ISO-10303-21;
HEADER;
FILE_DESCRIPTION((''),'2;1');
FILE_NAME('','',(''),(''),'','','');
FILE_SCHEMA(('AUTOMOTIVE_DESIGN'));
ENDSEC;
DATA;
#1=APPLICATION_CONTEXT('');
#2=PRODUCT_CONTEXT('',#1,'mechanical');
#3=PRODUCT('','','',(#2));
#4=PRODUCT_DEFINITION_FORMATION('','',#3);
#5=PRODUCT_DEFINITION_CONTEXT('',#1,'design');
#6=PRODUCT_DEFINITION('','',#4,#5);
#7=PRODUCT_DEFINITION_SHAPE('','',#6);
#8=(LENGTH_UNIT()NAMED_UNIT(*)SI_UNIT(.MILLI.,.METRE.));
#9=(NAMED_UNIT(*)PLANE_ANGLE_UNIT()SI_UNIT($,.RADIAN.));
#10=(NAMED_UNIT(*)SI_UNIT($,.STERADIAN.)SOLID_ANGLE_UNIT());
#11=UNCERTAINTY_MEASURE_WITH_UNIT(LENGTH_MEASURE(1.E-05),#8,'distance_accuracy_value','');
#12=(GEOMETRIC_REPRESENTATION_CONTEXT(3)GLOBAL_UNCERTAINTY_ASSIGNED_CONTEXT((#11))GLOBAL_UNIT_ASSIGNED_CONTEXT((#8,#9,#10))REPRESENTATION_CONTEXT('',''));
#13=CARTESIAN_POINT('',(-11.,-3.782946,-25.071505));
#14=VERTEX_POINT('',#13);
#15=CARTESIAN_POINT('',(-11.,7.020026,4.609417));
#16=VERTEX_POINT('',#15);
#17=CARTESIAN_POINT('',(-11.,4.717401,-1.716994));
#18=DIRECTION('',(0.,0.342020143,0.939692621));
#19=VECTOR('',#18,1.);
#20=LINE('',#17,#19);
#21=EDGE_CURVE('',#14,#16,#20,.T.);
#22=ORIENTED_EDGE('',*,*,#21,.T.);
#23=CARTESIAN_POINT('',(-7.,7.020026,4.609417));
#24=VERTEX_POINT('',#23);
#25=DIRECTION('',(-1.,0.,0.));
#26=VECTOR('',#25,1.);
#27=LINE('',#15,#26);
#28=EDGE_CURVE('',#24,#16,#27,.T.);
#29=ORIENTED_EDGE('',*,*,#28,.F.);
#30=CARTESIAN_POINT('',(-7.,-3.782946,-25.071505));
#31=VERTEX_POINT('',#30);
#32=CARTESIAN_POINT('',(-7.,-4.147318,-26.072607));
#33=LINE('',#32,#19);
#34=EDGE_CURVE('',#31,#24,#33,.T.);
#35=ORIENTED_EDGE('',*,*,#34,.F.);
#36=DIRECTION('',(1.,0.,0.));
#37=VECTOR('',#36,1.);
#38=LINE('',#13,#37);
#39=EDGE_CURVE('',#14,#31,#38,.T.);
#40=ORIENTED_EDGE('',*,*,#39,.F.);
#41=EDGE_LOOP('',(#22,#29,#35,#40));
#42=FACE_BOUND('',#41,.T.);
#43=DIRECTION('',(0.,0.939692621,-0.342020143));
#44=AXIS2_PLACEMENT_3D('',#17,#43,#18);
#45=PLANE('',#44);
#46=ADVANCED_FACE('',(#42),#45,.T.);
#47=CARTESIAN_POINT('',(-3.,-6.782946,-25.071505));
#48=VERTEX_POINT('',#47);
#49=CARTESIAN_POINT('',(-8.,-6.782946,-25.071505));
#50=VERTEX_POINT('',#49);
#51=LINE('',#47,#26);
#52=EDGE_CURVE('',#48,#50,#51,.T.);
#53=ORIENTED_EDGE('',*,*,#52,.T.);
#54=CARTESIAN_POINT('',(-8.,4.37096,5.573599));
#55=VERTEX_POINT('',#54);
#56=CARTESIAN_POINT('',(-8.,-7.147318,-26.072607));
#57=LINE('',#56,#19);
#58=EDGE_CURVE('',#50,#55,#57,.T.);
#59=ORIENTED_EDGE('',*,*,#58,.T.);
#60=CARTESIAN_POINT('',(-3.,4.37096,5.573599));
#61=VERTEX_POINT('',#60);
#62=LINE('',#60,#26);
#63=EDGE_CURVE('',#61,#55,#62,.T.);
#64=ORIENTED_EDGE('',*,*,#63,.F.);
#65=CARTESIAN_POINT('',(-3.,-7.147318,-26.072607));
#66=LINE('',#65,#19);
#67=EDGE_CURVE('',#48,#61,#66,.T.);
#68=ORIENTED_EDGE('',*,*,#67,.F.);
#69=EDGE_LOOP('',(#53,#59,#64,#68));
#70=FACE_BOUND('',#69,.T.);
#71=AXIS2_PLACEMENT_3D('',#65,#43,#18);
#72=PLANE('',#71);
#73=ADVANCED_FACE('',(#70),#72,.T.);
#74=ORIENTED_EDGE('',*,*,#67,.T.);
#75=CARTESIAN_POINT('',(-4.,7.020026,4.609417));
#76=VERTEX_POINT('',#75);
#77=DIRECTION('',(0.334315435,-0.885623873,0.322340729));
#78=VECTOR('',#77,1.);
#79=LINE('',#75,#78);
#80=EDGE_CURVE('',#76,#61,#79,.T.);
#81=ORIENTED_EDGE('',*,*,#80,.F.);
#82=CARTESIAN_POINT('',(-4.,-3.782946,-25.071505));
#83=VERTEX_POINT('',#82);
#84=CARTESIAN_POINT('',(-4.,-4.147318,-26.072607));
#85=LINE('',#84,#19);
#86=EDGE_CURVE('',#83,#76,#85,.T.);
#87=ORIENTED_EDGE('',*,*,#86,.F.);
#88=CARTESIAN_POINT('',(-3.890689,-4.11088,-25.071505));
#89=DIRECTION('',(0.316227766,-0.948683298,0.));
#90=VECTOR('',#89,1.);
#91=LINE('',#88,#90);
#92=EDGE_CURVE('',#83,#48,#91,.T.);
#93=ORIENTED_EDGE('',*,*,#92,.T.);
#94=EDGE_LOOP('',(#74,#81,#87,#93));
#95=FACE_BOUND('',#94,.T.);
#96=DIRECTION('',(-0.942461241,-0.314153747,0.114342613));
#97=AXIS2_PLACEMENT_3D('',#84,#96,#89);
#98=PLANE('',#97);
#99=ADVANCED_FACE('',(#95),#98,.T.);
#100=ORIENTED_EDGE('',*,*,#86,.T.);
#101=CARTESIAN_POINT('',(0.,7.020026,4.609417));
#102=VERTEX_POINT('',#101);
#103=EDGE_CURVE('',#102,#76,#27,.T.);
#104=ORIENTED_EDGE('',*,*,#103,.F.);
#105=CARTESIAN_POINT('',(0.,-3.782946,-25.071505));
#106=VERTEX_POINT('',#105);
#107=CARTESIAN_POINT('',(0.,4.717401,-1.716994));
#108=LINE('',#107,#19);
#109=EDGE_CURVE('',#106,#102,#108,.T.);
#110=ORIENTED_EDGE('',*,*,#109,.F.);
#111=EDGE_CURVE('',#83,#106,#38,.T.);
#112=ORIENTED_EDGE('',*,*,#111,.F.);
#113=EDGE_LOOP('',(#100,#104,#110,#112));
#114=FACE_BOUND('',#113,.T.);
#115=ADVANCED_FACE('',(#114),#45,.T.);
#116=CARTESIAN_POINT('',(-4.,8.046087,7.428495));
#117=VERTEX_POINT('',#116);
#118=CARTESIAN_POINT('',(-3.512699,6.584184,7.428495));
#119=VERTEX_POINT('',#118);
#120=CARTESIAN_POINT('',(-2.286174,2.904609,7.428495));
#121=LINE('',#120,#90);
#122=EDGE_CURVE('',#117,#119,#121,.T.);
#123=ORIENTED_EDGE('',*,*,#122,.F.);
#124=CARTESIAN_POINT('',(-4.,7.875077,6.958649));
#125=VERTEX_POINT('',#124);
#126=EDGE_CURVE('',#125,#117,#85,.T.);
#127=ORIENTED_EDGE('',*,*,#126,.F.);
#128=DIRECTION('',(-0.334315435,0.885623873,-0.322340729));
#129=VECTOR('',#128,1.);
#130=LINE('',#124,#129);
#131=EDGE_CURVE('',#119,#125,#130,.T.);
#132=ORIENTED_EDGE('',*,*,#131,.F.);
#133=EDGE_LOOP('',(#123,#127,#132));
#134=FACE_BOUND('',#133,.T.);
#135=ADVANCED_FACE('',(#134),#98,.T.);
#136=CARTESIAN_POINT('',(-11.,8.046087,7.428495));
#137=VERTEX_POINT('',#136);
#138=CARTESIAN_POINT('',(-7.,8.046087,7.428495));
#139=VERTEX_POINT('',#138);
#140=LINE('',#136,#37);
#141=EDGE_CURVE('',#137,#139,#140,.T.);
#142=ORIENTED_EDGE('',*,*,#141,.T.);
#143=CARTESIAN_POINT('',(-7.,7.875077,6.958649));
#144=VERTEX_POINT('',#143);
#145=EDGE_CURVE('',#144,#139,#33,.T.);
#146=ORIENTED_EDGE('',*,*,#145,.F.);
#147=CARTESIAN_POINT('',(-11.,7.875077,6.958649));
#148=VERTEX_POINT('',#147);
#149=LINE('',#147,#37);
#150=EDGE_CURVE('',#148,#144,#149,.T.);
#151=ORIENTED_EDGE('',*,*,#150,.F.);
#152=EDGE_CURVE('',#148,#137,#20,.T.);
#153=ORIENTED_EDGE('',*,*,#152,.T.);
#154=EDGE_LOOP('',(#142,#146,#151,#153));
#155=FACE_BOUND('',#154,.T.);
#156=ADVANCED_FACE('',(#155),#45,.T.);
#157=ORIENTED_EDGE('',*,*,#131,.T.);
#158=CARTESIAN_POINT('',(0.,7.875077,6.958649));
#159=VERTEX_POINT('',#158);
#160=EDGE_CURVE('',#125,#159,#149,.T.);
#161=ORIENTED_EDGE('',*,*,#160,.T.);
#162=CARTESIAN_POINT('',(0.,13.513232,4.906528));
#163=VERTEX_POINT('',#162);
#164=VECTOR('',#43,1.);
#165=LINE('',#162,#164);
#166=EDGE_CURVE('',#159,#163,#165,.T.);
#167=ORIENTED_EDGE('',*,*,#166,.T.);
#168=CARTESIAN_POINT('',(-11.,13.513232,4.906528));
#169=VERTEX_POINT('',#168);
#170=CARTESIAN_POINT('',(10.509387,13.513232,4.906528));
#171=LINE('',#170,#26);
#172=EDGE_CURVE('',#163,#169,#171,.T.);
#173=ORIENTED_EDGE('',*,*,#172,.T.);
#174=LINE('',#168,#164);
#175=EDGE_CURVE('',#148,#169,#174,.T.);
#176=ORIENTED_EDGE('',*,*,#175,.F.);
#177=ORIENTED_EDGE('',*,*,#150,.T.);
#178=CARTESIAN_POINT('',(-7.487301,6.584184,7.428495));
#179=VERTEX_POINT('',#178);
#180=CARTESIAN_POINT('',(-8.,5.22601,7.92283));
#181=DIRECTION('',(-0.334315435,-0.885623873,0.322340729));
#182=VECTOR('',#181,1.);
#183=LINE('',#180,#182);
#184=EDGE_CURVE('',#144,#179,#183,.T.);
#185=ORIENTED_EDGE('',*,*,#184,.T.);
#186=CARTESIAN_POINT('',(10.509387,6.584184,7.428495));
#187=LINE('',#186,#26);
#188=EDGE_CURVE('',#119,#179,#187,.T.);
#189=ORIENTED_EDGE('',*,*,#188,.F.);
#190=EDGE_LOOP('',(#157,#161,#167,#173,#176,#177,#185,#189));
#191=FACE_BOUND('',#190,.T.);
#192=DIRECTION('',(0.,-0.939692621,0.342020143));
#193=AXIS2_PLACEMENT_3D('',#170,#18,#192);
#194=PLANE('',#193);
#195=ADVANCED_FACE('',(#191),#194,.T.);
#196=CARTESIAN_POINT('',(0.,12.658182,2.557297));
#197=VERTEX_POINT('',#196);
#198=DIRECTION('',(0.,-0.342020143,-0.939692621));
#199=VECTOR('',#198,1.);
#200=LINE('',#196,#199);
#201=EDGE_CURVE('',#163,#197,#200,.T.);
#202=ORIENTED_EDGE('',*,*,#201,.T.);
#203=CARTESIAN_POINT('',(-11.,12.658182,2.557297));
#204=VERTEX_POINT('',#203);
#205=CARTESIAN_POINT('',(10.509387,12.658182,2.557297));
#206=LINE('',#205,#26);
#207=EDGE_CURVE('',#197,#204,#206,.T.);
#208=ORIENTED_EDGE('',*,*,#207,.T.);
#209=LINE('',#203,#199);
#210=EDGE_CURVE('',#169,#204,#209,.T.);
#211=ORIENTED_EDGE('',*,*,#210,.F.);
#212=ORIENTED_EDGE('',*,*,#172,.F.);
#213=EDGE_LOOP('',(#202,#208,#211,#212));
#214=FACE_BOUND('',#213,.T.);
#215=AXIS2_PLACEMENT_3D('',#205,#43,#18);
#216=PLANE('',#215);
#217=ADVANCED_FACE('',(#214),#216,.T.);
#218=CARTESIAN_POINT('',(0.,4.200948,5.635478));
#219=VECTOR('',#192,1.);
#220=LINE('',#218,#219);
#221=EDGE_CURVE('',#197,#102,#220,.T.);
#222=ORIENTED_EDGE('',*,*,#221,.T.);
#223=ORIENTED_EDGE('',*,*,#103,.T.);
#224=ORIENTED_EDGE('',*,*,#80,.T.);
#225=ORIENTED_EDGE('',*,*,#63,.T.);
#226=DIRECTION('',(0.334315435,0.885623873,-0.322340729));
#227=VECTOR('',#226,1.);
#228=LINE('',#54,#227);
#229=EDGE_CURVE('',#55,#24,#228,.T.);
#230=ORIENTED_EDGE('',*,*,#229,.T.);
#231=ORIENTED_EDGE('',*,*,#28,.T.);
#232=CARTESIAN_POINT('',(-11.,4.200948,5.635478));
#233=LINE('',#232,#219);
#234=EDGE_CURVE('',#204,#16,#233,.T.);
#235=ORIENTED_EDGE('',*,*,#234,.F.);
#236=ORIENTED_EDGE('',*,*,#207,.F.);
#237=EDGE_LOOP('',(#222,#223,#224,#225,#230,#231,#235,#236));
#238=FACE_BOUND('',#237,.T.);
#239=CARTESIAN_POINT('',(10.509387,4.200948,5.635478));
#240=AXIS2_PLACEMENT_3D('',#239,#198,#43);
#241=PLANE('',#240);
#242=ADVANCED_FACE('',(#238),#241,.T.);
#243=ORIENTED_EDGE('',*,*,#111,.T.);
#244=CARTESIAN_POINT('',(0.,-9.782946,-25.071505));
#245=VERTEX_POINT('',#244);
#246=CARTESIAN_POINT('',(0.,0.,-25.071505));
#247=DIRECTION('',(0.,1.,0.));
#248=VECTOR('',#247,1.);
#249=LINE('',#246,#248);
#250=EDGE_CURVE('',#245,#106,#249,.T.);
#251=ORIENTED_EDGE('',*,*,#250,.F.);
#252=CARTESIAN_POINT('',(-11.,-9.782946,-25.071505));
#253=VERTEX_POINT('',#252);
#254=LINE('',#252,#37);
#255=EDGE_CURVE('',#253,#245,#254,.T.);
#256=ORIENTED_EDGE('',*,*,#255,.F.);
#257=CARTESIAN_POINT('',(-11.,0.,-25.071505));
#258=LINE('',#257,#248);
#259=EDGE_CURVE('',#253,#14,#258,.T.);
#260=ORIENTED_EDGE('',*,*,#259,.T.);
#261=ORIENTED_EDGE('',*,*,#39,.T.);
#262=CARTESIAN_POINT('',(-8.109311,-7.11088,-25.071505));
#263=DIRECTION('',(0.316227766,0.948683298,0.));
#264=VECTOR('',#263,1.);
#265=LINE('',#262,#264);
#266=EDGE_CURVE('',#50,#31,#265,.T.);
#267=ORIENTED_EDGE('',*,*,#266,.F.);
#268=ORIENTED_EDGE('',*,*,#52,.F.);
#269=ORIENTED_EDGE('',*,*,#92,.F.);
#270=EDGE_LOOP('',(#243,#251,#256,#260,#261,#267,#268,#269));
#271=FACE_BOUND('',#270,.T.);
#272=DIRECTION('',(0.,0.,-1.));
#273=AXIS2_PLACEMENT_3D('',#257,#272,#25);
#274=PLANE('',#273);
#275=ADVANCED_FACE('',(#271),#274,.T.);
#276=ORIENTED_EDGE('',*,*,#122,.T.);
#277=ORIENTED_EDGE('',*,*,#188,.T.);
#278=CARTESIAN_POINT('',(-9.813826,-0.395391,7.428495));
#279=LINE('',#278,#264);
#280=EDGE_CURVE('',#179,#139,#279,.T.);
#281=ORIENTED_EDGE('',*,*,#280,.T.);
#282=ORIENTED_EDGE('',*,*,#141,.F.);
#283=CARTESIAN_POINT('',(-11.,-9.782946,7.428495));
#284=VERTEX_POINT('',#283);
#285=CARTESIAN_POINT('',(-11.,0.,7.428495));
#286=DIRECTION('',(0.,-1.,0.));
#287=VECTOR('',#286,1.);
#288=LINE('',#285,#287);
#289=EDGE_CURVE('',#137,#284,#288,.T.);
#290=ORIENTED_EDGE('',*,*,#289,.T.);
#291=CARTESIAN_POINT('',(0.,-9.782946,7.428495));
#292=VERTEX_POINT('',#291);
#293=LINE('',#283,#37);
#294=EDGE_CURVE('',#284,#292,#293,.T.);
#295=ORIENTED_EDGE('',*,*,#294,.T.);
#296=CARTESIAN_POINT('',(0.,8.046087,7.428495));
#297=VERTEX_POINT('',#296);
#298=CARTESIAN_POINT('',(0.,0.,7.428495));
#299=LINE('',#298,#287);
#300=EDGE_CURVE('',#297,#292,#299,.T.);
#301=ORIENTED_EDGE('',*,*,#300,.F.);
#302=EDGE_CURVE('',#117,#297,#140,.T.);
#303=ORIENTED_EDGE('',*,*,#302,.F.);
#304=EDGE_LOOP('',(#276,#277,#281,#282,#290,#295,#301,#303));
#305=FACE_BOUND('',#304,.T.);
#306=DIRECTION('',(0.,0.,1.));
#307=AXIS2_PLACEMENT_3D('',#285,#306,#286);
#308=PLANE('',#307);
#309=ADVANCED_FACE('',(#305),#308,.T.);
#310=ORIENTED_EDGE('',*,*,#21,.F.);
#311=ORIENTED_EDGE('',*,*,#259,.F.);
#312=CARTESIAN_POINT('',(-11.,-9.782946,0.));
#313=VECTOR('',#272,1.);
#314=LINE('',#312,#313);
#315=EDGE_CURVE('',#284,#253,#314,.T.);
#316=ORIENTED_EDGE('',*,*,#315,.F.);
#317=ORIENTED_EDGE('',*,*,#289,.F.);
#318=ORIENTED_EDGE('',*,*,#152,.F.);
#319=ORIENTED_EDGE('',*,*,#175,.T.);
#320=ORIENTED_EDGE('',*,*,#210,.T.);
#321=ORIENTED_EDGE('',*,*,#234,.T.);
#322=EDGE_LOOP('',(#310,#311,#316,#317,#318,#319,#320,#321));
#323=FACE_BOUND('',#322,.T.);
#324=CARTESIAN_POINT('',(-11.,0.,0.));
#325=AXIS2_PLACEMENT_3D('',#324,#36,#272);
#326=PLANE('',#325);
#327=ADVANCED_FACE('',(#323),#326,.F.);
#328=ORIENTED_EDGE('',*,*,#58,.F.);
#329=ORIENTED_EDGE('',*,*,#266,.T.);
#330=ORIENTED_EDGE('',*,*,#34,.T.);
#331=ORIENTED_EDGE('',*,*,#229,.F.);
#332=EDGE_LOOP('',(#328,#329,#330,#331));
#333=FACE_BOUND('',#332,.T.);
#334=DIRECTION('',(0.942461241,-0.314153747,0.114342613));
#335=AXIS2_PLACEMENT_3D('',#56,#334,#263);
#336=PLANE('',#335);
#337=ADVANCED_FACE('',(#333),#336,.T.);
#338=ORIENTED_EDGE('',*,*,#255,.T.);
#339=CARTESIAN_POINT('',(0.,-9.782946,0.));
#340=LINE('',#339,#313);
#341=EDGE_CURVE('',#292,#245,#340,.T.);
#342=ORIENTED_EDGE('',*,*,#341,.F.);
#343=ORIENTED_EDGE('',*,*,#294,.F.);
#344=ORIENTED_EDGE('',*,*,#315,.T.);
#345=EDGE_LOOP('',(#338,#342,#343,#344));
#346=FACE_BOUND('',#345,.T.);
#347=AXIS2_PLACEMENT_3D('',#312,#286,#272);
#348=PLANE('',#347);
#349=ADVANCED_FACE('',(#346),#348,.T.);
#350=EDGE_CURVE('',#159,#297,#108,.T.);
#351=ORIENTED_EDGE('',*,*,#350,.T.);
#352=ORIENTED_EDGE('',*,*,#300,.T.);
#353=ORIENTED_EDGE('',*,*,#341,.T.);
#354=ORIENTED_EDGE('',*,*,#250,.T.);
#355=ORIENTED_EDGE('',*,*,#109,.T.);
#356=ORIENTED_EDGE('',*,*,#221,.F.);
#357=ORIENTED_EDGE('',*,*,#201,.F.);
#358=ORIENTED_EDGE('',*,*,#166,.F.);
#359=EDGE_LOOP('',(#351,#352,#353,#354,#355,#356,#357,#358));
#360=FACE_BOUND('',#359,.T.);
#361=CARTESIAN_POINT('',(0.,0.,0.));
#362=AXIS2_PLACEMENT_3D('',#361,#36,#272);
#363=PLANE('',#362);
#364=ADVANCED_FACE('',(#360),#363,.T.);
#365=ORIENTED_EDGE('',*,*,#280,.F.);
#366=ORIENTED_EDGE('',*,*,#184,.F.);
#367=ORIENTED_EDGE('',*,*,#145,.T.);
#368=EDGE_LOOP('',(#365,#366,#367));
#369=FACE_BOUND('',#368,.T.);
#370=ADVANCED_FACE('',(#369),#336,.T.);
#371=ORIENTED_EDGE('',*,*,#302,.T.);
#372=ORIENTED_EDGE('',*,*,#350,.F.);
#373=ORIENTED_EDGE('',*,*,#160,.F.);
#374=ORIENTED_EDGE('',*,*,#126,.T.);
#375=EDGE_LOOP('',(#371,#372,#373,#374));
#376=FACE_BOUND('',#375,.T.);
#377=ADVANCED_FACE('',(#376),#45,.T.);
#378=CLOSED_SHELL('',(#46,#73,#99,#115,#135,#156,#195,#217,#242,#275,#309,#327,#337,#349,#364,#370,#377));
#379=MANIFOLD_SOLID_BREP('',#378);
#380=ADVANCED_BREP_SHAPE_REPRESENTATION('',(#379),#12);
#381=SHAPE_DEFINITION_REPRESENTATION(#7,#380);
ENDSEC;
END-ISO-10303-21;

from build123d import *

# Parameters (mm, degrees)
BOSS_EXTRUDE1_DEPTH = 11
BOSS_EXTRUDE2_REACH = 31.074


with BuildPart() as part:
    # Sketch2 → Boss-Extrude1 (new body)
    with BuildSketch(Plane(origin=(0, 0, 0), x_dir=(0, 0, -1), z_dir=(1, 0, 0))):
        Polygon((-7.428495294, -9.782945939), (25.071504706, -9.782945939), (25.071504706, -3.782945939), (-7.428495294, 8.046086675), align=None)
    extrude(amount=-BOSS_EXTRUDE1_DEPTH)

    # Cut-Sweep3: sweep along a path in Sketch5
    with BuildLine(Plane.ZY.offset(11)) as cut_sweep3_path:
        Line((-25.071504706, -6.975479256), (8.757429642, 5.337245904))
    # Sketch3 → Cut-Sweep3 (sweep, cut)
    with BuildSketch(Plane(origin=(0, 0, -25.071504706), x_dir=(-1, 0, 0), z_dir=(0, 0, -1))):
        Polygon((3, -6.782945939), (8, -6.782945939), (7, -3.782945939), (4, -3.782945939), align=None)
    sweep(path=cut_sweep3_path.line, mode=Mode.SUBTRACT)

    # Boss-Extrude2: up to this face of the body (flat: up to its plane)
    boss_extrude2_end = Plane(part.part.faces().sort_by_distance((0, -3.336347692, -6.132602991))[0])
    # Sketch6 → Boss-Extrude2 (add, up to the picked face)
    with BuildSketch(Plane.ZY.offset(11), mode=Mode.PRIVATE) as boss_extrude2_sk1:
        Polygon((5.635477862, 4.200948383), (7.428495294, 4.853553358), (7.428495294, 6.584184475), (4.906528124, 13.513232328), (2.557296572, 12.65818197), align=None)
    boss_extrude2_tool1 = split(extrude(boss_extrude2_sk1.sketch, amount=-BOSS_EXTRUDE2_REACH, mode=Mode.PRIVATE), bisect_by=boss_extrude2_end, keep=Keep.BOTH, mode=Mode.PRIVATE)
    add(boss_extrude2_tool1.solids().sort_by(Axis((-11, 8.930518, 5.21979), (1, 0, 0)))[0])


solid = part.part
